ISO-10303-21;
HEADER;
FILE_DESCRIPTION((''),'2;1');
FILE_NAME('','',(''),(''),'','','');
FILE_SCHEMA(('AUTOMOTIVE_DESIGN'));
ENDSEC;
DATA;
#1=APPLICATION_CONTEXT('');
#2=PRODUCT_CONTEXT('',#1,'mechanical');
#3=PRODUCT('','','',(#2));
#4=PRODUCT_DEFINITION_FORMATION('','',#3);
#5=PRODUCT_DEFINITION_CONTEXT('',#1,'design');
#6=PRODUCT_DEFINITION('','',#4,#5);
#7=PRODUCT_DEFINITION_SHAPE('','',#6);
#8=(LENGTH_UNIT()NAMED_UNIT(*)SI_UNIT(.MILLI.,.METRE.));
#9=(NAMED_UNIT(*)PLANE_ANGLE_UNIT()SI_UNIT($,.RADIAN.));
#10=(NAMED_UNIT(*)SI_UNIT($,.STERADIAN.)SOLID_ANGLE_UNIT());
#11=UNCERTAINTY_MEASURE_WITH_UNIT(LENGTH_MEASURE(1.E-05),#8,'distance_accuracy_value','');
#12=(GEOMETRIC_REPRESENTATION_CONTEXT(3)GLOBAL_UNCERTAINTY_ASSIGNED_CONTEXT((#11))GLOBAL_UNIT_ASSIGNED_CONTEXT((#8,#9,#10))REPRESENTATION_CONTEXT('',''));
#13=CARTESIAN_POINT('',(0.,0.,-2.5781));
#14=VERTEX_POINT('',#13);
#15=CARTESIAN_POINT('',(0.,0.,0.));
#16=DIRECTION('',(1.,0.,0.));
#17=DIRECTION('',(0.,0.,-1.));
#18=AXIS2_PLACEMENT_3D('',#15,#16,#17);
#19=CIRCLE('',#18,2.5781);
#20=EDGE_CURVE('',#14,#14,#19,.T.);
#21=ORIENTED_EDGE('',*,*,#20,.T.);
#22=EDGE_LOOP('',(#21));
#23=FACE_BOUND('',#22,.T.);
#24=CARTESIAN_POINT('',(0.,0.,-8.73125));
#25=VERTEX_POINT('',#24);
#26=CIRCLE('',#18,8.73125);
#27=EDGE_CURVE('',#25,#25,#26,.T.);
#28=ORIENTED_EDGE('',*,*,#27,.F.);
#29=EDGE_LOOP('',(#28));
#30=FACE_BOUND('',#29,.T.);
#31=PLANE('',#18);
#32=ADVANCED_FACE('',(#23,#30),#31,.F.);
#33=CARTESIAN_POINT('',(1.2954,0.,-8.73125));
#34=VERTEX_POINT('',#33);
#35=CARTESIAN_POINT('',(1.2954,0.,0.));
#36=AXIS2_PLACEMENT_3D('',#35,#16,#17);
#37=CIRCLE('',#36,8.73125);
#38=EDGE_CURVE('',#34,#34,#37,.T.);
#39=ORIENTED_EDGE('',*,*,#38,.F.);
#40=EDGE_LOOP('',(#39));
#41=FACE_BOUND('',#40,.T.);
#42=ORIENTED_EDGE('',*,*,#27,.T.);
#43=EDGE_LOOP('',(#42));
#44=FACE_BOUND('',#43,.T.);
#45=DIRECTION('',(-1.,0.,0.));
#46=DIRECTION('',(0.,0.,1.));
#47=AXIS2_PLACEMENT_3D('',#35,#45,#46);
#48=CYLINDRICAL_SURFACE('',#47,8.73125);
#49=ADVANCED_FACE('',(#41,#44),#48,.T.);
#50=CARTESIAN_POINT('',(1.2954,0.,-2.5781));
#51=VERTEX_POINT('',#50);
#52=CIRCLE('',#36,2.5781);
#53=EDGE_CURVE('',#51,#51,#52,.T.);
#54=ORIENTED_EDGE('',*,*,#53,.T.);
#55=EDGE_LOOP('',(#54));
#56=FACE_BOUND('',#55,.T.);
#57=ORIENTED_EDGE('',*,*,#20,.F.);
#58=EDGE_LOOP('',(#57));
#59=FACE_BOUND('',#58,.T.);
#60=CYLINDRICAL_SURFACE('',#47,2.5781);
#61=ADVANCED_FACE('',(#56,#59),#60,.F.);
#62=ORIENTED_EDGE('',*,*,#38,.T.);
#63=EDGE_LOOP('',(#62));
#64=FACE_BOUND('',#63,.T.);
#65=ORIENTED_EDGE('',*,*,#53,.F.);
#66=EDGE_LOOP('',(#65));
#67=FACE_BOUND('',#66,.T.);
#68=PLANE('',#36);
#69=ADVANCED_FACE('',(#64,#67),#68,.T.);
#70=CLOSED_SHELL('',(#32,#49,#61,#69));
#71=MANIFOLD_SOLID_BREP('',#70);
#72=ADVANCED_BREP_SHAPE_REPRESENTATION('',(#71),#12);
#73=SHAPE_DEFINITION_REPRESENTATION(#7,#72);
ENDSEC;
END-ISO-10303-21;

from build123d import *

# Parameters (mm, degrees)
SKETCH1_R           = 8.73125
SKETCH1_R_2         = 2.5781
BOSS_EXTRUDE1_DEPTH = 1.2954


with BuildPart() as part:
    # Sketch1 → Boss-Extrude1 (new body)
    with BuildSketch(Plane(origin=(0, 0, 0), x_dir=(0, 0, -1), z_dir=(1, 0, 0))):
        Circle(SKETCH1_R)
        Circle(SKETCH1_R_2, mode=Mode.SUBTRACT)
    extrude(amount=BOSS_EXTRUDE1_DEPTH)


solid = part.part
